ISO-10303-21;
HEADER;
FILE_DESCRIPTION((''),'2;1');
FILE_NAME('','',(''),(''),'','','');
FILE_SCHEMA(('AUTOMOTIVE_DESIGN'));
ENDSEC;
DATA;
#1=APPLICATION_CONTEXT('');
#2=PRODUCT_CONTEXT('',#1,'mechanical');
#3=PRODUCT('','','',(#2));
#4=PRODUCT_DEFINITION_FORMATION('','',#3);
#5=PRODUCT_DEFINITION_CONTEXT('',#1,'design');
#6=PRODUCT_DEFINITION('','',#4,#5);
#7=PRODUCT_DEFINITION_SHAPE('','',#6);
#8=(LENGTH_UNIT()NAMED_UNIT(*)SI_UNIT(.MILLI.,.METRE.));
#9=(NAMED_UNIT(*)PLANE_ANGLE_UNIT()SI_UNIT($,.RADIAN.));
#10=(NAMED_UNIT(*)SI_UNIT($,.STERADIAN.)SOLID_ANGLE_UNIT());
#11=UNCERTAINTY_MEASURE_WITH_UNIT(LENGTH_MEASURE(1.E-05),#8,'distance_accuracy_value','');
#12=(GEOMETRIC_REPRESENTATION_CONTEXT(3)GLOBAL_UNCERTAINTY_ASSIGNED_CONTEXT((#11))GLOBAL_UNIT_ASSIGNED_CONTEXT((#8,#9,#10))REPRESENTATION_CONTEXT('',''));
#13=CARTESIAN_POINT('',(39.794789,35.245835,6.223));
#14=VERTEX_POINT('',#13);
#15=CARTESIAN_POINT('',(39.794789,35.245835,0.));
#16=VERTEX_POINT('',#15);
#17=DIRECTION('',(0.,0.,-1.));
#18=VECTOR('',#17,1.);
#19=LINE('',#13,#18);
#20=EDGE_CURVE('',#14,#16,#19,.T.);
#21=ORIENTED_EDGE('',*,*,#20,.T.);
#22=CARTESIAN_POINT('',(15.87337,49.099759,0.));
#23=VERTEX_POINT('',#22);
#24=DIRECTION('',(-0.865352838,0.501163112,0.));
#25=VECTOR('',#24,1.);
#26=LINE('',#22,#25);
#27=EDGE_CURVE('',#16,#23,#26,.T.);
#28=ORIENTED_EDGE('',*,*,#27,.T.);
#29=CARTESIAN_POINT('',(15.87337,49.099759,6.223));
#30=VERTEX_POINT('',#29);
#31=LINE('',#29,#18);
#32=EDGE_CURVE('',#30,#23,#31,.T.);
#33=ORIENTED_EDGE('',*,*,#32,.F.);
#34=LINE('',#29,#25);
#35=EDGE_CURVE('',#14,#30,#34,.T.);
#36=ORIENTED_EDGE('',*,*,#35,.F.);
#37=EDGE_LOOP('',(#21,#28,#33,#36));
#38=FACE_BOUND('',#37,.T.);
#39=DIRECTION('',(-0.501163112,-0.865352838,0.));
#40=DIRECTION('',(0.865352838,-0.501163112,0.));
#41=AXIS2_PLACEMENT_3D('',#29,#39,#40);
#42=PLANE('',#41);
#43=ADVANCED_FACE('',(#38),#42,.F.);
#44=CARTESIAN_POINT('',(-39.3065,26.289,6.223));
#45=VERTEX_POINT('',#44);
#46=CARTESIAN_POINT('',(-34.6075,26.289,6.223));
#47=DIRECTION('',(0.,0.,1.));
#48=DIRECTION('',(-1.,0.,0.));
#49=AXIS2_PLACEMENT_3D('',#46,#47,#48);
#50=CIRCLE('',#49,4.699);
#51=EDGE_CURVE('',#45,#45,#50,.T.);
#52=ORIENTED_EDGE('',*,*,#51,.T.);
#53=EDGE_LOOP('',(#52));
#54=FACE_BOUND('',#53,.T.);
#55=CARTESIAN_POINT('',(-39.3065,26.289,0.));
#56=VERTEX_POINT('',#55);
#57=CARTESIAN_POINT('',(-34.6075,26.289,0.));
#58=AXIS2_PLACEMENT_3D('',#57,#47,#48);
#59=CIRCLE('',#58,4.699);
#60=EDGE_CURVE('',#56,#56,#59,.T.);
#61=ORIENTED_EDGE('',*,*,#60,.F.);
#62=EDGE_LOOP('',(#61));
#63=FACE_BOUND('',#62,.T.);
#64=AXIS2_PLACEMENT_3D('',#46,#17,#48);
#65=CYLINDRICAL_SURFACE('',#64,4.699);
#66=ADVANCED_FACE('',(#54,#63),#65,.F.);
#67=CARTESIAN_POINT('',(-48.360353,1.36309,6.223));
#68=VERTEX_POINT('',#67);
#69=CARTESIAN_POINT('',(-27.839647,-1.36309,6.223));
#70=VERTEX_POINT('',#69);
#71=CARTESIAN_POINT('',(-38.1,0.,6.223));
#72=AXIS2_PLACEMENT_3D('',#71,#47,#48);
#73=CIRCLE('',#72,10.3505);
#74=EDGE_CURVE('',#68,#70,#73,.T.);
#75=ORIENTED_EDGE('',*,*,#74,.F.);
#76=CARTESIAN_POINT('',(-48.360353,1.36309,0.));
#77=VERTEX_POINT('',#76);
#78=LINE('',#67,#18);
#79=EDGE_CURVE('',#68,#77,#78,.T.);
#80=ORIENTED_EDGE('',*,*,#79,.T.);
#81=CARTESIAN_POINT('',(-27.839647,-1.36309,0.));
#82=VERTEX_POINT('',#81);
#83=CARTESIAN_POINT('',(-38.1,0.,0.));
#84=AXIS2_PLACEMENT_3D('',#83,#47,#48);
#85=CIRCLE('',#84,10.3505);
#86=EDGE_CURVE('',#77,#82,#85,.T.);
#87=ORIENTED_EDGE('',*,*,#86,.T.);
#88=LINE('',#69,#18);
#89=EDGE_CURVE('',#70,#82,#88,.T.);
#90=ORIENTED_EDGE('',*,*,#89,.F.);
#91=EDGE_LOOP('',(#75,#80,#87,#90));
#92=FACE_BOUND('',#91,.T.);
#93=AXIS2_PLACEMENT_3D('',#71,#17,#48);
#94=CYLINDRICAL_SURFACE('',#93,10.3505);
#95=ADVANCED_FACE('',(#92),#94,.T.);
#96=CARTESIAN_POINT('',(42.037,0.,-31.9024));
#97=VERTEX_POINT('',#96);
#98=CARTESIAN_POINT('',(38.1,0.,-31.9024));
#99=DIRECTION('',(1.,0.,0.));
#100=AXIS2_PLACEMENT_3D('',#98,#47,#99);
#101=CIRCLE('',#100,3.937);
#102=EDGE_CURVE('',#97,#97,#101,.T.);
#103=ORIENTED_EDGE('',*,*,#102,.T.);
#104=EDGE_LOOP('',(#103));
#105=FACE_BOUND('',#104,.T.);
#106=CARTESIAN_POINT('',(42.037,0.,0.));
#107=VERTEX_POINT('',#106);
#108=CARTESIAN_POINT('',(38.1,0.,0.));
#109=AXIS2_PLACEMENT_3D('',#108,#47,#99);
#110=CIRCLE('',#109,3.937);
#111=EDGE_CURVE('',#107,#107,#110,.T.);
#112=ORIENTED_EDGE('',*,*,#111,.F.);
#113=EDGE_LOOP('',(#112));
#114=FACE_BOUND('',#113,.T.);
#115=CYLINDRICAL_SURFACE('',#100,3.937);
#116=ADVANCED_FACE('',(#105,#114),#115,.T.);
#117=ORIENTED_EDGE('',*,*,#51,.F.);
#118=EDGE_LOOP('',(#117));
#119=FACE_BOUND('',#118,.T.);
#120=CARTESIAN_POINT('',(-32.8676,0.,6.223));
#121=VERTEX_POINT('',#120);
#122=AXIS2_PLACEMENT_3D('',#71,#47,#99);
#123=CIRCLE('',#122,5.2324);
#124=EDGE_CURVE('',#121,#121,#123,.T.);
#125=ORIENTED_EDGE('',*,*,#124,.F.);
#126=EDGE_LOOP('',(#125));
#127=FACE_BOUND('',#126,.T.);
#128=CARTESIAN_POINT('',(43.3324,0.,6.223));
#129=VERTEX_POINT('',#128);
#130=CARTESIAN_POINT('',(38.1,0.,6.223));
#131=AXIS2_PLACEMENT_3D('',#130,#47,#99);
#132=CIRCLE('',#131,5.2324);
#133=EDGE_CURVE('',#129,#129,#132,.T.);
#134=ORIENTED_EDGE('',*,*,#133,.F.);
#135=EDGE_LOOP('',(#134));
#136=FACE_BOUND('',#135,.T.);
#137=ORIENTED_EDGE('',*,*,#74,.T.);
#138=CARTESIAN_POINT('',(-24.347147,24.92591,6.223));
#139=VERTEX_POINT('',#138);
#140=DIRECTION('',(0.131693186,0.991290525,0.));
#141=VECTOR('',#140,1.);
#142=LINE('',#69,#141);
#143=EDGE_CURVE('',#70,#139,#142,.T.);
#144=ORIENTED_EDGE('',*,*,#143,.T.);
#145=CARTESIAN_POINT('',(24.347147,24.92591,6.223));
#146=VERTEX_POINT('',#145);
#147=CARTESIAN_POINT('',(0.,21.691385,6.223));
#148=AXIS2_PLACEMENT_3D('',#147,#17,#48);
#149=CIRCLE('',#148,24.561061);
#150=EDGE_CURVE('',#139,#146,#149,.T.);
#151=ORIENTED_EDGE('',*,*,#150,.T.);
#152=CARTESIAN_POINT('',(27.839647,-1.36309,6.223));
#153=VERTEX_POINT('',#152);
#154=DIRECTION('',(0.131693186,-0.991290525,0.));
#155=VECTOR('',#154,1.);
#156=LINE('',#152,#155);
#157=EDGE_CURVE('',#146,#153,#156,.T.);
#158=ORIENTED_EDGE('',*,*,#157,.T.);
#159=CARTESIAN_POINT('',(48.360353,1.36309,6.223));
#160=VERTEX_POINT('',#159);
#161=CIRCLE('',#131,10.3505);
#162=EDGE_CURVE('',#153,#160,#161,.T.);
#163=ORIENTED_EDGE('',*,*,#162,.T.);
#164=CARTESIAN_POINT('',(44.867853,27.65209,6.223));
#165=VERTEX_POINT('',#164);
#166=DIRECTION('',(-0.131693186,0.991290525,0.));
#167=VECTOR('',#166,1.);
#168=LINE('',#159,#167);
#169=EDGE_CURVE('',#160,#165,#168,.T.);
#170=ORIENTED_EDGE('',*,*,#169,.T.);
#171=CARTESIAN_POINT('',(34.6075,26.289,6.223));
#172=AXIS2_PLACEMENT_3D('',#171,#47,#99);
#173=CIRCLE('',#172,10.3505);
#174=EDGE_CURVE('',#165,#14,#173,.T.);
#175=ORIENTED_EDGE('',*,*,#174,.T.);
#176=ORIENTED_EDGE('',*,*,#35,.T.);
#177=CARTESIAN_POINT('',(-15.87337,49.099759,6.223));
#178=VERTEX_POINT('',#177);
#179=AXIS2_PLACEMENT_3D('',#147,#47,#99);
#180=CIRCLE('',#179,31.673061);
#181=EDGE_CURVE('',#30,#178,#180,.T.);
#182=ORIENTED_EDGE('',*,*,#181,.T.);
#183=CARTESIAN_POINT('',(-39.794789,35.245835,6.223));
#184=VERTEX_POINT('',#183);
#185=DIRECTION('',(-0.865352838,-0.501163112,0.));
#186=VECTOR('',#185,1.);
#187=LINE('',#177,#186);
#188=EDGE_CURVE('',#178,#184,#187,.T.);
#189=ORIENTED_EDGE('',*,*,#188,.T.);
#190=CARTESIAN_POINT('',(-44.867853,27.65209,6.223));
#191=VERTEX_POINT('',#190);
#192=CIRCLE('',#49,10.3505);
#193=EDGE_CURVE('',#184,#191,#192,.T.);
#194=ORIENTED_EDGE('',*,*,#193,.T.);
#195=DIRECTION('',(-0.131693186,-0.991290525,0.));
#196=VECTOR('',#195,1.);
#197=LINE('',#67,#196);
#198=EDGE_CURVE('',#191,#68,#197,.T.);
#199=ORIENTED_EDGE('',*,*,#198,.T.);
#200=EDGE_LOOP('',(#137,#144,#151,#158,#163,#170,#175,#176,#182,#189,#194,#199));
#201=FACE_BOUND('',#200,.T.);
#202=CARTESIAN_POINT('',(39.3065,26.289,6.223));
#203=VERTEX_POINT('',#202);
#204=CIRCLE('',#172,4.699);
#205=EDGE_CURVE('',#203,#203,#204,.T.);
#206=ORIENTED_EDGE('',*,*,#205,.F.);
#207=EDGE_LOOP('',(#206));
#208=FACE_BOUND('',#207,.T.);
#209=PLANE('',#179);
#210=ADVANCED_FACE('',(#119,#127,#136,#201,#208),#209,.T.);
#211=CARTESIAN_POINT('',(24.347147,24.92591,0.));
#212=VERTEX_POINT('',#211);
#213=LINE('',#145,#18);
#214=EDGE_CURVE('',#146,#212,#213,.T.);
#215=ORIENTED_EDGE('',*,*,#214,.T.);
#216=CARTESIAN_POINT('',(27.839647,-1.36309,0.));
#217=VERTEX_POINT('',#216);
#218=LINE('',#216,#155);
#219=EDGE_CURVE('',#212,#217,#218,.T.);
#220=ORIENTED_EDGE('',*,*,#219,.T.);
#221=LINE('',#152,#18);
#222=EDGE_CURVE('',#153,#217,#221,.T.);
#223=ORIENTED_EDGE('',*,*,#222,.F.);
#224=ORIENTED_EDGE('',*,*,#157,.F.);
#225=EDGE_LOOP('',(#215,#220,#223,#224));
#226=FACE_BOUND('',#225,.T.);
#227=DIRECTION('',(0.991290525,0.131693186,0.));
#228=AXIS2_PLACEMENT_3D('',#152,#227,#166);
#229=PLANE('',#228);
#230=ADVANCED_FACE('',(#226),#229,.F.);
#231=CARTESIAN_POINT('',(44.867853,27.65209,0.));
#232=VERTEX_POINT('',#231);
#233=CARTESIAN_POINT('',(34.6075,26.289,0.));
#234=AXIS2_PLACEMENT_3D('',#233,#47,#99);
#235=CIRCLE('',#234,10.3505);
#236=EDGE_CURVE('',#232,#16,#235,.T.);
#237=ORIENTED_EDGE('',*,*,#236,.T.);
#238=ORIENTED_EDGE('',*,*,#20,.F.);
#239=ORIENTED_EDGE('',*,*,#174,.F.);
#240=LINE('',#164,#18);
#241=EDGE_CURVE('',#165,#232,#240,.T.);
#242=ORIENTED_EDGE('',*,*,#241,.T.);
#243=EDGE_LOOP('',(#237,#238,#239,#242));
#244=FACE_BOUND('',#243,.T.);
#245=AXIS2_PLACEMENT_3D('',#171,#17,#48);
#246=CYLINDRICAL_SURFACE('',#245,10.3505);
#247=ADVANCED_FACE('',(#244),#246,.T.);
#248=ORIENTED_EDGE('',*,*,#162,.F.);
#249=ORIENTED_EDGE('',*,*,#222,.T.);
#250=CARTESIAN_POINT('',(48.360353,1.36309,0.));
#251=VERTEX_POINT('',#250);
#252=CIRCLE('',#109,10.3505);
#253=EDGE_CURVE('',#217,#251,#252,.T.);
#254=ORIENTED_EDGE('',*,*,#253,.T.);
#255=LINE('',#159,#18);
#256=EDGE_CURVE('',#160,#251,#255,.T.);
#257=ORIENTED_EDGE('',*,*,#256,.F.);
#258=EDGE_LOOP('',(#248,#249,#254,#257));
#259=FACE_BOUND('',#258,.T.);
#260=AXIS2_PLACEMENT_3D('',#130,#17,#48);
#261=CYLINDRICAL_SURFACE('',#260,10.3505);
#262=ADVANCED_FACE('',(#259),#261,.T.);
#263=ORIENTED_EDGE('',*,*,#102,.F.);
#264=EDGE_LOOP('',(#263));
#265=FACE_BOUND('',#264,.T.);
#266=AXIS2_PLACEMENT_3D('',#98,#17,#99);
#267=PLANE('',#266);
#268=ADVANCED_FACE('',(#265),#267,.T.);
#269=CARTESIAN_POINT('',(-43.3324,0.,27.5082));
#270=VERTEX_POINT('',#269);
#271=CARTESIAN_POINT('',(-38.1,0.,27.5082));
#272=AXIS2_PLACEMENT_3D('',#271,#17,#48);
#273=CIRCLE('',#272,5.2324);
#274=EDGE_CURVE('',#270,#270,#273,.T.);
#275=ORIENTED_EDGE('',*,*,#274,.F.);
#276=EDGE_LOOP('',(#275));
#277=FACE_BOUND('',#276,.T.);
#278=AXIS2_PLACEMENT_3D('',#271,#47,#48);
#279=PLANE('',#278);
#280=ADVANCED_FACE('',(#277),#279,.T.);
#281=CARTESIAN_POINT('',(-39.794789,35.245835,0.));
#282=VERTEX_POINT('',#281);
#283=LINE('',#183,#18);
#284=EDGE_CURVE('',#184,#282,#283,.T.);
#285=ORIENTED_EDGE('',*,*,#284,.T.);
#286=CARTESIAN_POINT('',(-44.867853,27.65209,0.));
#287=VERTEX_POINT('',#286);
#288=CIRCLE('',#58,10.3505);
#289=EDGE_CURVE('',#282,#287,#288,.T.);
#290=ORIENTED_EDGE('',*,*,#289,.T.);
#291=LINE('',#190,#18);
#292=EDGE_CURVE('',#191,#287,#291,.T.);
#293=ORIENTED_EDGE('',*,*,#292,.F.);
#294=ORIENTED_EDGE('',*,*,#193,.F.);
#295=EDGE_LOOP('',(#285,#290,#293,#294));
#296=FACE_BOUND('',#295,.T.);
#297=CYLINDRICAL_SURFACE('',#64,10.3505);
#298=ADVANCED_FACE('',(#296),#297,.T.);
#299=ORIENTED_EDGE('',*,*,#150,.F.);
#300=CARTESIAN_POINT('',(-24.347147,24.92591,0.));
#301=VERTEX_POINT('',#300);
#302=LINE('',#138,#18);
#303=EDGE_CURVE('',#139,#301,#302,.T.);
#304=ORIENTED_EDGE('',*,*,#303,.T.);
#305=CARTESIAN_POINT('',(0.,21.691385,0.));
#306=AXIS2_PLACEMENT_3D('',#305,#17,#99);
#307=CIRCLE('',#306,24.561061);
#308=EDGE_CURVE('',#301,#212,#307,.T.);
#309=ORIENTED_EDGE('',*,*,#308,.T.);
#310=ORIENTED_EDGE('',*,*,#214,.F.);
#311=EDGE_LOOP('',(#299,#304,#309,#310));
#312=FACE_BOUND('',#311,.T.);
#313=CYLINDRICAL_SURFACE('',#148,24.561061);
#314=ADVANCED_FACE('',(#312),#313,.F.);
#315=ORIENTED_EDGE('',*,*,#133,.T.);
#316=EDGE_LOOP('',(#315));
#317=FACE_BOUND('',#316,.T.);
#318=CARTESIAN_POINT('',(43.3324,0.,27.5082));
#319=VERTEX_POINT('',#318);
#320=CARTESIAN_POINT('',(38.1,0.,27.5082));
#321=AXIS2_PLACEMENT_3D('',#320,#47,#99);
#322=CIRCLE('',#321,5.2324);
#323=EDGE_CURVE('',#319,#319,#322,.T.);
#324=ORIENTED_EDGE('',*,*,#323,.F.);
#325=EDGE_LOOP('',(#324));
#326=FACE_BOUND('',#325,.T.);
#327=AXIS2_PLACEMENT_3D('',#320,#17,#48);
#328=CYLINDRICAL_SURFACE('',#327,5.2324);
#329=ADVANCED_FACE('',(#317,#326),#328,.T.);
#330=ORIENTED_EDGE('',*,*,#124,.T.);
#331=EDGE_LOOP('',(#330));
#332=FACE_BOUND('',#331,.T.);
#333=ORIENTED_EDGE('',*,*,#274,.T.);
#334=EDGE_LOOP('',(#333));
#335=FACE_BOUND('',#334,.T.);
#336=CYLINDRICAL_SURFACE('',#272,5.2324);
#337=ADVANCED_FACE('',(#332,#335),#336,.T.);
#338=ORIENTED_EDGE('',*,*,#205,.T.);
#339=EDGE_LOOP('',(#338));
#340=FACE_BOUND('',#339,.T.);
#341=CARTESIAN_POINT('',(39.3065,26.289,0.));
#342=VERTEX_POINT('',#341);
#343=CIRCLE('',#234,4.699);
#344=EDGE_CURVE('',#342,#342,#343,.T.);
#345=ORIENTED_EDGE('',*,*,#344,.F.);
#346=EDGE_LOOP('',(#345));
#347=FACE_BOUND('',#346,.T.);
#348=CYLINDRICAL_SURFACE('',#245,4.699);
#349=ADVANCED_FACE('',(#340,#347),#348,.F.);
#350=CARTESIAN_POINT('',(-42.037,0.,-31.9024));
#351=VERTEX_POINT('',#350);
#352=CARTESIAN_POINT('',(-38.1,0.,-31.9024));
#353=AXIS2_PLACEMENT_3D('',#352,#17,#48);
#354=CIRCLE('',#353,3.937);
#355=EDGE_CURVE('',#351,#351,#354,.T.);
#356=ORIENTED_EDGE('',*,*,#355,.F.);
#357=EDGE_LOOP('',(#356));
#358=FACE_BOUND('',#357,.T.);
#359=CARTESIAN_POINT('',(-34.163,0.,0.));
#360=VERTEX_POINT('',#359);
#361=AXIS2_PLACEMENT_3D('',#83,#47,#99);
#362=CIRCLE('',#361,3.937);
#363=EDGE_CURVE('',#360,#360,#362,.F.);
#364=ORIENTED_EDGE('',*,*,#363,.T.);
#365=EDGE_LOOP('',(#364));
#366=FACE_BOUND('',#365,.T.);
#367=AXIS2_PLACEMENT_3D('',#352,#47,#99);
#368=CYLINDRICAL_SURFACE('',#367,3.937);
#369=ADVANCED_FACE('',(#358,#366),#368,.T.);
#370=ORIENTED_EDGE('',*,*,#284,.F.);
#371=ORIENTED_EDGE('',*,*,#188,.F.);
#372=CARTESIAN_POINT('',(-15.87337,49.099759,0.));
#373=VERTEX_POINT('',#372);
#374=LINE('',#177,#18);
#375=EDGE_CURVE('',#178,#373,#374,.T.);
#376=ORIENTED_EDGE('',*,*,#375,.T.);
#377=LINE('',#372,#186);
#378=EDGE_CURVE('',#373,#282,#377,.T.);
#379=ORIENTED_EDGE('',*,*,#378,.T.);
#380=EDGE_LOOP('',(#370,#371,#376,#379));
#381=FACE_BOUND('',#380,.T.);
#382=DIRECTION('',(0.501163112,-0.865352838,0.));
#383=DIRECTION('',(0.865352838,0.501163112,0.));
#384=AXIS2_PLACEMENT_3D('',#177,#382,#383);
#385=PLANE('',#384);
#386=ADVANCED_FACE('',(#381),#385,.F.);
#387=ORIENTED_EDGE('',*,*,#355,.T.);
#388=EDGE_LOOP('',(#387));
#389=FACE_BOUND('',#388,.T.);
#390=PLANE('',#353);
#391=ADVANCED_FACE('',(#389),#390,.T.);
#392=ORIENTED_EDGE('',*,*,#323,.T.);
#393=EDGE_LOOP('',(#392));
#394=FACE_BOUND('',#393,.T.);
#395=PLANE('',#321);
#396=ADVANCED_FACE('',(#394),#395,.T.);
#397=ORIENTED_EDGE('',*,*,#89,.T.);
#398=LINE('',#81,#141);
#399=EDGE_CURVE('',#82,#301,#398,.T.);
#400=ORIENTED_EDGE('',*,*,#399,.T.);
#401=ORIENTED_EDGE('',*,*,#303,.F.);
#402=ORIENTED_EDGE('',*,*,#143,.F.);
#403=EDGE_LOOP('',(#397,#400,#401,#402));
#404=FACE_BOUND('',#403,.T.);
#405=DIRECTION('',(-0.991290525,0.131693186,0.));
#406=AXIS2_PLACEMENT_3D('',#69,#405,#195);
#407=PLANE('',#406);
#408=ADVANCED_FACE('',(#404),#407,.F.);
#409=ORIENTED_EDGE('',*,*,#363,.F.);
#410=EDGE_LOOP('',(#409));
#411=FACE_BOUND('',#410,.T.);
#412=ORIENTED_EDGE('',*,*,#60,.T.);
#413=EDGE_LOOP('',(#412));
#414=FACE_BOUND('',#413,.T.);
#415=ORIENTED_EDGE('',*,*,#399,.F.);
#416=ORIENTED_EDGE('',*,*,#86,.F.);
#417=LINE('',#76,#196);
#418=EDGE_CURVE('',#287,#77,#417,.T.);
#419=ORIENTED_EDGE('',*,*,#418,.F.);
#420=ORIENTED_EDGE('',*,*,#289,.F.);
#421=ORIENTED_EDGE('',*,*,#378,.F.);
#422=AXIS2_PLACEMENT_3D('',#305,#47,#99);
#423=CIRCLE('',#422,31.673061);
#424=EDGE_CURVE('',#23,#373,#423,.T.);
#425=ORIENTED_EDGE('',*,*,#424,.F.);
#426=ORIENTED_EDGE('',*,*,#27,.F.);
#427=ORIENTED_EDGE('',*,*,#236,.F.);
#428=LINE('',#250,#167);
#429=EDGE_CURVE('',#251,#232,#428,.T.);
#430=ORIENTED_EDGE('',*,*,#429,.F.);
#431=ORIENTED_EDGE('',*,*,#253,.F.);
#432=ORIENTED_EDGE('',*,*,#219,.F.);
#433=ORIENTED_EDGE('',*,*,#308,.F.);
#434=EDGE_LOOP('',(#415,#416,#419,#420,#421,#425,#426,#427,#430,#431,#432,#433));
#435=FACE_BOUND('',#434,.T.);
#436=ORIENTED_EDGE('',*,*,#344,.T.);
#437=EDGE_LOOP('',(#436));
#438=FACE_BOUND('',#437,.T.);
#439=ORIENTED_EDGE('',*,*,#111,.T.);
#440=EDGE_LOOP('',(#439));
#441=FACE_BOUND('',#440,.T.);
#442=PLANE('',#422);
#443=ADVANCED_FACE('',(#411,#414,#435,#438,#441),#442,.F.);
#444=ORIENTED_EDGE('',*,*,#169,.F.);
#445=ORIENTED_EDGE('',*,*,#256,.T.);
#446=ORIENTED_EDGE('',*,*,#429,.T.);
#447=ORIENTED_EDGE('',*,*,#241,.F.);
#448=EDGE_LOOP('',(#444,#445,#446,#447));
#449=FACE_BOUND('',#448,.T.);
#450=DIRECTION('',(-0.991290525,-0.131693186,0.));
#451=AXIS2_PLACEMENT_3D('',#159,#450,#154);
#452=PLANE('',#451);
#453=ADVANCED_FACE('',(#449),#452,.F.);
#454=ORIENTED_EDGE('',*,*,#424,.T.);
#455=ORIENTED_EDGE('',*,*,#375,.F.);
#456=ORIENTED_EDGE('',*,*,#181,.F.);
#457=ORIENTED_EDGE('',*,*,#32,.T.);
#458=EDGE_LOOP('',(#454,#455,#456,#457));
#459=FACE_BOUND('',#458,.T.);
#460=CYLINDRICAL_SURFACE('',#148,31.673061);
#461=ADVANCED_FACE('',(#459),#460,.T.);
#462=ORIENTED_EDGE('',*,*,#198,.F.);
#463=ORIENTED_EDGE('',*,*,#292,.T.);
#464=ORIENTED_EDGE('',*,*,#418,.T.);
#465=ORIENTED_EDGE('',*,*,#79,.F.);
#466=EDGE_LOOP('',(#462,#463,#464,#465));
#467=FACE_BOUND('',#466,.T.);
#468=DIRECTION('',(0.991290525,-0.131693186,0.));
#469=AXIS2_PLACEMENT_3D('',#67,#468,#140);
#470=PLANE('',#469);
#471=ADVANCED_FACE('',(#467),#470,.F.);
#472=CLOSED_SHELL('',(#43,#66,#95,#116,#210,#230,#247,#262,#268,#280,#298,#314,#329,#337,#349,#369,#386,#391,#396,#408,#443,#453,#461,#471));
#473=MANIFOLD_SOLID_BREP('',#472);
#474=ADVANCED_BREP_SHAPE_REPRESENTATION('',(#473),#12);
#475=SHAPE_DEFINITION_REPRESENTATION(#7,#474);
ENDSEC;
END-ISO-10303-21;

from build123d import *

# Parameters (mm, degrees)
SKETCH1_R           = 4.699
BOSS_EXTRUDE1_DEPTH = 6.223
SKETCH2_R           = 5.2324
BOSS_EXTRUDE2_DEPTH = 21.2852
SKETCH3_R           = 3.937
BOSS_EXTRUDE3_DEPTH = 31.9024


with BuildPart() as part:
    # Sketch1 → Boss-Extrude1 (new body)
    with BuildSketch(Plane.XY):
        with BuildLine():
            Line((27.839647422, -1.363090318), (24.347147422, 24.925909682))
            ThreePointArc((24.347147422, 24.925909682), (16.183361565, 40.166897281), (0, 46.252446639))
            ThreePointArc((0, 46.252446639), (-16.183361565, 40.166897281), (-24.347147422, 24.925909682))
            Line((-24.347147422, 24.925909682), (-27.839647422, -1.363090318))
            ThreePointArc((-27.839647422, -1.363090318), (-39.463090318, -10.260352578), (-48.360352578, 1.363090318))
            Line((-48.360352578, 1.363090318), (-44.867852578, 27.652090318))
            ThreePointArc((-44.867852578, 27.652090318), (-43.214104666, 32.038713591), (-39.794788795, 35.245834553))
            Line((-39.794788795, 35.245834553), (-15.873370018, 49.099758822))
            ThreePointArc((-15.873370018, 49.099758822), (0, 53.364446639), (15.873370018, 49.099758822))
            Line((15.873370018, 49.099758822), (39.794788795, 35.245834553))
            ThreePointArc((39.794788795, 35.245834553), (43.214104666, 32.038713591), (44.867852578, 27.652090318))
            Line((44.867852578, 27.652090318), (48.360352578, 1.363090318))
            ThreePointArc((48.360352578, 1.363090318), (39.463090318, -10.260352578), (27.839647422, -1.363090318))
        make_face()
        with Locations((34.6075, 26.289)):
            Circle(SKETCH1_R, mode=Mode.SUBTRACT)
        with Locations(Location((-34.6075, 26.289, 0), (0, 0, 180))):
            Circle(SKETCH1_R, mode=Mode.SUBTRACT)
    extrude(amount=BOSS_EXTRUDE1_DEPTH)

    # Sketch2 → Boss-Extrude2 (add)
    with BuildSketch(Plane.XY.offset(6.223)):
        with Locations((38.1, 0)):
            Circle(SKETCH2_R)
    boss_extrude2 = extrude(amount=BOSS_EXTRUDE2_DEPTH)

    # Mirror1: Boss-Extrude2 across plane
    add(boss_extrude2.mirror(Plane(origin=(0, 0, 0), x_dir=(0, 0, 1), z_dir=(1, 0, 0))))

    # Sketch3 → Boss-Extrude3 (add)
    with BuildSketch(Plane(origin=(0, 0, 0), x_dir=(-1, 0, 0), z_dir=(0, 0, -1))):
        with Locations(Location((38.1, 0, 0), (0, 0, 180))):
            Circle(SKETCH3_R)
    boss_extrude3 = extrude(amount=BOSS_EXTRUDE3_DEPTH)

    # Mirror2: Boss-Extrude3 across plane
    add(boss_extrude3.mirror(Plane(origin=(0, 0, 0), x_dir=(0, 0, 1), z_dir=(1, 0, 0))))


solid = part.part
